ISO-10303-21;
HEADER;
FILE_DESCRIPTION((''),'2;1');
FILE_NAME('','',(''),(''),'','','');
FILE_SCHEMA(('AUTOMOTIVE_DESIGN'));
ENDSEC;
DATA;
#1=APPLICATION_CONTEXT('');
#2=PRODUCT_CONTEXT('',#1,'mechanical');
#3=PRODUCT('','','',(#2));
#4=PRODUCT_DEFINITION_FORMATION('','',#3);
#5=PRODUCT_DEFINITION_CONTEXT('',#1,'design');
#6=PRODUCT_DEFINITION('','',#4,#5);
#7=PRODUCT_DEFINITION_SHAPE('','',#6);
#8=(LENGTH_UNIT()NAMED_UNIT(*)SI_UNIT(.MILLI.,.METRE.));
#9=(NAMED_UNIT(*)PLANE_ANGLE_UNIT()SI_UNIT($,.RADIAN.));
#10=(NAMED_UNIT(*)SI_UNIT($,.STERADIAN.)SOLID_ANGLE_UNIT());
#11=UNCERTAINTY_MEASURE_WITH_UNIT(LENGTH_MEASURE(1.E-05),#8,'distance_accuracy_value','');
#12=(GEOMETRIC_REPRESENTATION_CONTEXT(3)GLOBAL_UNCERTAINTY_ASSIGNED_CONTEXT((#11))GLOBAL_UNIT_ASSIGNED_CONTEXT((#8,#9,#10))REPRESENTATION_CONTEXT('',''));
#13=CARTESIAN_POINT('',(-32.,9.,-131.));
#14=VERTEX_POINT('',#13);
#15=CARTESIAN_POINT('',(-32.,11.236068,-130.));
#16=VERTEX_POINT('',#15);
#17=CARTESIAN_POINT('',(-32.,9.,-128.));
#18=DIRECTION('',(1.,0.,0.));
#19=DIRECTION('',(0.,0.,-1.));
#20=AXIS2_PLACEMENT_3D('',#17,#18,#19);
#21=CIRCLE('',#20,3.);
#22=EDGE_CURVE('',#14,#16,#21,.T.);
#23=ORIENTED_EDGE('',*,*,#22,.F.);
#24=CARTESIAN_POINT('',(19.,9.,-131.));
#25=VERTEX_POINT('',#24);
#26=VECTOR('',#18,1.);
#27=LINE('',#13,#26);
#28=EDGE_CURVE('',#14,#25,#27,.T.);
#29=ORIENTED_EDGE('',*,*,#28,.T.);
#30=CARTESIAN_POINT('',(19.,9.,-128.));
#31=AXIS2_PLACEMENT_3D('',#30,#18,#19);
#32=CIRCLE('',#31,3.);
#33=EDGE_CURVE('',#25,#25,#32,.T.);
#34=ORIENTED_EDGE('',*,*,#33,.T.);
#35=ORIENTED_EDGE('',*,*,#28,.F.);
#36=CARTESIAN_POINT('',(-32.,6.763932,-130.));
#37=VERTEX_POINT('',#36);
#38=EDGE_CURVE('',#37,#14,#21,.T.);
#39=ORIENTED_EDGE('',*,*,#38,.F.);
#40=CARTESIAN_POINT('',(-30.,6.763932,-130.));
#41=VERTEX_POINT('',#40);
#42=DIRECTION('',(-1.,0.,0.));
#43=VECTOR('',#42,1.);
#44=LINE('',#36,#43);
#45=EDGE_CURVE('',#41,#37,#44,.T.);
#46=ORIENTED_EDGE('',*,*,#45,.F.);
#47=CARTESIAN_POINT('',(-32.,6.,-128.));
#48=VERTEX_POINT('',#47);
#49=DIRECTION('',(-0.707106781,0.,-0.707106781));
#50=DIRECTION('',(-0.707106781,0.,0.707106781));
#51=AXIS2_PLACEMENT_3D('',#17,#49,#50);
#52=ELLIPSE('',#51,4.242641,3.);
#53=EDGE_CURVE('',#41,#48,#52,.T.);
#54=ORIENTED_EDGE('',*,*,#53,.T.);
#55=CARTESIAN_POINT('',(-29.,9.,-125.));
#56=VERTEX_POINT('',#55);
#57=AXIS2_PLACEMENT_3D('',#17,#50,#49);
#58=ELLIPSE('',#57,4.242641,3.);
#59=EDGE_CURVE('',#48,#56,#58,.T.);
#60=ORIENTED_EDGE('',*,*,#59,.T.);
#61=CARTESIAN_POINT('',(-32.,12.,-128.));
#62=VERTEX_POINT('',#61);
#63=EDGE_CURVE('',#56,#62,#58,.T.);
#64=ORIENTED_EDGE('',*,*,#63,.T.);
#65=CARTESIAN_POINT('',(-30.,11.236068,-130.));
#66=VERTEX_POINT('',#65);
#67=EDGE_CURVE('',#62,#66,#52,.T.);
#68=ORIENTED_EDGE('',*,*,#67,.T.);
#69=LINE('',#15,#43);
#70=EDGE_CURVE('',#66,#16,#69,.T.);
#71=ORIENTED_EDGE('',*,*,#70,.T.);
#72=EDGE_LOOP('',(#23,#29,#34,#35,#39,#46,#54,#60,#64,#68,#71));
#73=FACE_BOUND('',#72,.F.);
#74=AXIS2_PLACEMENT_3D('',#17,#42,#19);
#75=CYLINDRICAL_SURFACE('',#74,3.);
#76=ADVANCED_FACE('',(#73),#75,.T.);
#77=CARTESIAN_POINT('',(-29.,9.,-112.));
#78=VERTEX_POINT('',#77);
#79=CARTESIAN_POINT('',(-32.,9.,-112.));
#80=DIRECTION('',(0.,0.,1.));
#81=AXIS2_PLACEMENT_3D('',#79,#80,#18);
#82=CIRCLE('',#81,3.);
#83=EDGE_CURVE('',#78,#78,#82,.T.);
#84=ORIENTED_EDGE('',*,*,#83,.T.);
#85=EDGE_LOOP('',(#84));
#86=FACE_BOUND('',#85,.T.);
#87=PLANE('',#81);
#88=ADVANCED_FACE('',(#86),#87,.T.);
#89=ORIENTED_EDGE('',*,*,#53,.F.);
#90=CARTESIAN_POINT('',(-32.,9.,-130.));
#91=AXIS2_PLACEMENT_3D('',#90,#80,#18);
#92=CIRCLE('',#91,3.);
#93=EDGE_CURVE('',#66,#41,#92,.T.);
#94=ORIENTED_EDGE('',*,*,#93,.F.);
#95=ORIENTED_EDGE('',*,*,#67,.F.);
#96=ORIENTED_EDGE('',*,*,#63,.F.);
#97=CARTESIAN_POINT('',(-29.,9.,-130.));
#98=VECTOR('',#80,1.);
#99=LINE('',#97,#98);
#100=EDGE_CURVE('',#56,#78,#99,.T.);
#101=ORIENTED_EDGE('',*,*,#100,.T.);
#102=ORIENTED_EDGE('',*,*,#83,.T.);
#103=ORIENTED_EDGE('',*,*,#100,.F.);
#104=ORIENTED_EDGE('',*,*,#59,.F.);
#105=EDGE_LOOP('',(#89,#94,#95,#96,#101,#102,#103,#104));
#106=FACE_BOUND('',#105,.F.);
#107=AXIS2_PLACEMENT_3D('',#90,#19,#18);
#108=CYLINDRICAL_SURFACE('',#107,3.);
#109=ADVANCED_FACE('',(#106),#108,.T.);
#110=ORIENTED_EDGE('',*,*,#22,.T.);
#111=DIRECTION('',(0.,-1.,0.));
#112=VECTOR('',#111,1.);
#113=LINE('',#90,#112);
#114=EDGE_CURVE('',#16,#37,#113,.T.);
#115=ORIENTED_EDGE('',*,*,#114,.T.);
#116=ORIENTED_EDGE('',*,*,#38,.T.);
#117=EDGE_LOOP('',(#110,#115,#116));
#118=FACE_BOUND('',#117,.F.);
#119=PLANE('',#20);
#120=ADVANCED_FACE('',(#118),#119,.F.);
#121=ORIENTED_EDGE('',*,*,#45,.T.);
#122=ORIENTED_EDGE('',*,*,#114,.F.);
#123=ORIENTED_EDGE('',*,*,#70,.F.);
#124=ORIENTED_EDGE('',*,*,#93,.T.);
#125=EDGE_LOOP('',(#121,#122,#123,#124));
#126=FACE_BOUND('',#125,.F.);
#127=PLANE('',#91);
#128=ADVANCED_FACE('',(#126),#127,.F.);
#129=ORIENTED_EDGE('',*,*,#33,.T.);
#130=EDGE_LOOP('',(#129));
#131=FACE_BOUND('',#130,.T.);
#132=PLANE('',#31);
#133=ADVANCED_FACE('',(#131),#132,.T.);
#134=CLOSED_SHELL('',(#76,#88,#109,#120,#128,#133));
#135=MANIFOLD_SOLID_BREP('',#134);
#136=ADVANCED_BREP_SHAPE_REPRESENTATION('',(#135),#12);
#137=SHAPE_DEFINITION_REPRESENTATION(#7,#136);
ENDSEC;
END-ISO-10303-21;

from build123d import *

# Parameters (mm, degrees)
CYLINDER051_R     = 3
CYLINDER051_DEPTH = 18
CYLINDER050_R     = 3
CYLINDER050_DEPTH = 51


with BuildPart() as cylindre047:
    # Cylinder051 → Cylinder051 (new body)
    with BuildSketch(Plane(origin=(-32, 9, -130), x_dir=(1, 0, 0), z_dir=(0, 0, 1))):
        Circle(CYLINDER051_R)
    extrude(amount=CYLINDER051_DEPTH)


with BuildPart() as fusion025:
    # Cylinder050 → Cylinder050 (new body)
    with BuildSketch(Plane(origin=(-32, 9, -128), x_dir=(0, 0, -1), z_dir=(1, 0, 0))):
        Circle(CYLINDER050_R)
    extrude(amount=CYLINDER050_DEPTH)

    # Fusion025: union Cylindre047
    add(cylindre047.part)


solid = fusion025.part
